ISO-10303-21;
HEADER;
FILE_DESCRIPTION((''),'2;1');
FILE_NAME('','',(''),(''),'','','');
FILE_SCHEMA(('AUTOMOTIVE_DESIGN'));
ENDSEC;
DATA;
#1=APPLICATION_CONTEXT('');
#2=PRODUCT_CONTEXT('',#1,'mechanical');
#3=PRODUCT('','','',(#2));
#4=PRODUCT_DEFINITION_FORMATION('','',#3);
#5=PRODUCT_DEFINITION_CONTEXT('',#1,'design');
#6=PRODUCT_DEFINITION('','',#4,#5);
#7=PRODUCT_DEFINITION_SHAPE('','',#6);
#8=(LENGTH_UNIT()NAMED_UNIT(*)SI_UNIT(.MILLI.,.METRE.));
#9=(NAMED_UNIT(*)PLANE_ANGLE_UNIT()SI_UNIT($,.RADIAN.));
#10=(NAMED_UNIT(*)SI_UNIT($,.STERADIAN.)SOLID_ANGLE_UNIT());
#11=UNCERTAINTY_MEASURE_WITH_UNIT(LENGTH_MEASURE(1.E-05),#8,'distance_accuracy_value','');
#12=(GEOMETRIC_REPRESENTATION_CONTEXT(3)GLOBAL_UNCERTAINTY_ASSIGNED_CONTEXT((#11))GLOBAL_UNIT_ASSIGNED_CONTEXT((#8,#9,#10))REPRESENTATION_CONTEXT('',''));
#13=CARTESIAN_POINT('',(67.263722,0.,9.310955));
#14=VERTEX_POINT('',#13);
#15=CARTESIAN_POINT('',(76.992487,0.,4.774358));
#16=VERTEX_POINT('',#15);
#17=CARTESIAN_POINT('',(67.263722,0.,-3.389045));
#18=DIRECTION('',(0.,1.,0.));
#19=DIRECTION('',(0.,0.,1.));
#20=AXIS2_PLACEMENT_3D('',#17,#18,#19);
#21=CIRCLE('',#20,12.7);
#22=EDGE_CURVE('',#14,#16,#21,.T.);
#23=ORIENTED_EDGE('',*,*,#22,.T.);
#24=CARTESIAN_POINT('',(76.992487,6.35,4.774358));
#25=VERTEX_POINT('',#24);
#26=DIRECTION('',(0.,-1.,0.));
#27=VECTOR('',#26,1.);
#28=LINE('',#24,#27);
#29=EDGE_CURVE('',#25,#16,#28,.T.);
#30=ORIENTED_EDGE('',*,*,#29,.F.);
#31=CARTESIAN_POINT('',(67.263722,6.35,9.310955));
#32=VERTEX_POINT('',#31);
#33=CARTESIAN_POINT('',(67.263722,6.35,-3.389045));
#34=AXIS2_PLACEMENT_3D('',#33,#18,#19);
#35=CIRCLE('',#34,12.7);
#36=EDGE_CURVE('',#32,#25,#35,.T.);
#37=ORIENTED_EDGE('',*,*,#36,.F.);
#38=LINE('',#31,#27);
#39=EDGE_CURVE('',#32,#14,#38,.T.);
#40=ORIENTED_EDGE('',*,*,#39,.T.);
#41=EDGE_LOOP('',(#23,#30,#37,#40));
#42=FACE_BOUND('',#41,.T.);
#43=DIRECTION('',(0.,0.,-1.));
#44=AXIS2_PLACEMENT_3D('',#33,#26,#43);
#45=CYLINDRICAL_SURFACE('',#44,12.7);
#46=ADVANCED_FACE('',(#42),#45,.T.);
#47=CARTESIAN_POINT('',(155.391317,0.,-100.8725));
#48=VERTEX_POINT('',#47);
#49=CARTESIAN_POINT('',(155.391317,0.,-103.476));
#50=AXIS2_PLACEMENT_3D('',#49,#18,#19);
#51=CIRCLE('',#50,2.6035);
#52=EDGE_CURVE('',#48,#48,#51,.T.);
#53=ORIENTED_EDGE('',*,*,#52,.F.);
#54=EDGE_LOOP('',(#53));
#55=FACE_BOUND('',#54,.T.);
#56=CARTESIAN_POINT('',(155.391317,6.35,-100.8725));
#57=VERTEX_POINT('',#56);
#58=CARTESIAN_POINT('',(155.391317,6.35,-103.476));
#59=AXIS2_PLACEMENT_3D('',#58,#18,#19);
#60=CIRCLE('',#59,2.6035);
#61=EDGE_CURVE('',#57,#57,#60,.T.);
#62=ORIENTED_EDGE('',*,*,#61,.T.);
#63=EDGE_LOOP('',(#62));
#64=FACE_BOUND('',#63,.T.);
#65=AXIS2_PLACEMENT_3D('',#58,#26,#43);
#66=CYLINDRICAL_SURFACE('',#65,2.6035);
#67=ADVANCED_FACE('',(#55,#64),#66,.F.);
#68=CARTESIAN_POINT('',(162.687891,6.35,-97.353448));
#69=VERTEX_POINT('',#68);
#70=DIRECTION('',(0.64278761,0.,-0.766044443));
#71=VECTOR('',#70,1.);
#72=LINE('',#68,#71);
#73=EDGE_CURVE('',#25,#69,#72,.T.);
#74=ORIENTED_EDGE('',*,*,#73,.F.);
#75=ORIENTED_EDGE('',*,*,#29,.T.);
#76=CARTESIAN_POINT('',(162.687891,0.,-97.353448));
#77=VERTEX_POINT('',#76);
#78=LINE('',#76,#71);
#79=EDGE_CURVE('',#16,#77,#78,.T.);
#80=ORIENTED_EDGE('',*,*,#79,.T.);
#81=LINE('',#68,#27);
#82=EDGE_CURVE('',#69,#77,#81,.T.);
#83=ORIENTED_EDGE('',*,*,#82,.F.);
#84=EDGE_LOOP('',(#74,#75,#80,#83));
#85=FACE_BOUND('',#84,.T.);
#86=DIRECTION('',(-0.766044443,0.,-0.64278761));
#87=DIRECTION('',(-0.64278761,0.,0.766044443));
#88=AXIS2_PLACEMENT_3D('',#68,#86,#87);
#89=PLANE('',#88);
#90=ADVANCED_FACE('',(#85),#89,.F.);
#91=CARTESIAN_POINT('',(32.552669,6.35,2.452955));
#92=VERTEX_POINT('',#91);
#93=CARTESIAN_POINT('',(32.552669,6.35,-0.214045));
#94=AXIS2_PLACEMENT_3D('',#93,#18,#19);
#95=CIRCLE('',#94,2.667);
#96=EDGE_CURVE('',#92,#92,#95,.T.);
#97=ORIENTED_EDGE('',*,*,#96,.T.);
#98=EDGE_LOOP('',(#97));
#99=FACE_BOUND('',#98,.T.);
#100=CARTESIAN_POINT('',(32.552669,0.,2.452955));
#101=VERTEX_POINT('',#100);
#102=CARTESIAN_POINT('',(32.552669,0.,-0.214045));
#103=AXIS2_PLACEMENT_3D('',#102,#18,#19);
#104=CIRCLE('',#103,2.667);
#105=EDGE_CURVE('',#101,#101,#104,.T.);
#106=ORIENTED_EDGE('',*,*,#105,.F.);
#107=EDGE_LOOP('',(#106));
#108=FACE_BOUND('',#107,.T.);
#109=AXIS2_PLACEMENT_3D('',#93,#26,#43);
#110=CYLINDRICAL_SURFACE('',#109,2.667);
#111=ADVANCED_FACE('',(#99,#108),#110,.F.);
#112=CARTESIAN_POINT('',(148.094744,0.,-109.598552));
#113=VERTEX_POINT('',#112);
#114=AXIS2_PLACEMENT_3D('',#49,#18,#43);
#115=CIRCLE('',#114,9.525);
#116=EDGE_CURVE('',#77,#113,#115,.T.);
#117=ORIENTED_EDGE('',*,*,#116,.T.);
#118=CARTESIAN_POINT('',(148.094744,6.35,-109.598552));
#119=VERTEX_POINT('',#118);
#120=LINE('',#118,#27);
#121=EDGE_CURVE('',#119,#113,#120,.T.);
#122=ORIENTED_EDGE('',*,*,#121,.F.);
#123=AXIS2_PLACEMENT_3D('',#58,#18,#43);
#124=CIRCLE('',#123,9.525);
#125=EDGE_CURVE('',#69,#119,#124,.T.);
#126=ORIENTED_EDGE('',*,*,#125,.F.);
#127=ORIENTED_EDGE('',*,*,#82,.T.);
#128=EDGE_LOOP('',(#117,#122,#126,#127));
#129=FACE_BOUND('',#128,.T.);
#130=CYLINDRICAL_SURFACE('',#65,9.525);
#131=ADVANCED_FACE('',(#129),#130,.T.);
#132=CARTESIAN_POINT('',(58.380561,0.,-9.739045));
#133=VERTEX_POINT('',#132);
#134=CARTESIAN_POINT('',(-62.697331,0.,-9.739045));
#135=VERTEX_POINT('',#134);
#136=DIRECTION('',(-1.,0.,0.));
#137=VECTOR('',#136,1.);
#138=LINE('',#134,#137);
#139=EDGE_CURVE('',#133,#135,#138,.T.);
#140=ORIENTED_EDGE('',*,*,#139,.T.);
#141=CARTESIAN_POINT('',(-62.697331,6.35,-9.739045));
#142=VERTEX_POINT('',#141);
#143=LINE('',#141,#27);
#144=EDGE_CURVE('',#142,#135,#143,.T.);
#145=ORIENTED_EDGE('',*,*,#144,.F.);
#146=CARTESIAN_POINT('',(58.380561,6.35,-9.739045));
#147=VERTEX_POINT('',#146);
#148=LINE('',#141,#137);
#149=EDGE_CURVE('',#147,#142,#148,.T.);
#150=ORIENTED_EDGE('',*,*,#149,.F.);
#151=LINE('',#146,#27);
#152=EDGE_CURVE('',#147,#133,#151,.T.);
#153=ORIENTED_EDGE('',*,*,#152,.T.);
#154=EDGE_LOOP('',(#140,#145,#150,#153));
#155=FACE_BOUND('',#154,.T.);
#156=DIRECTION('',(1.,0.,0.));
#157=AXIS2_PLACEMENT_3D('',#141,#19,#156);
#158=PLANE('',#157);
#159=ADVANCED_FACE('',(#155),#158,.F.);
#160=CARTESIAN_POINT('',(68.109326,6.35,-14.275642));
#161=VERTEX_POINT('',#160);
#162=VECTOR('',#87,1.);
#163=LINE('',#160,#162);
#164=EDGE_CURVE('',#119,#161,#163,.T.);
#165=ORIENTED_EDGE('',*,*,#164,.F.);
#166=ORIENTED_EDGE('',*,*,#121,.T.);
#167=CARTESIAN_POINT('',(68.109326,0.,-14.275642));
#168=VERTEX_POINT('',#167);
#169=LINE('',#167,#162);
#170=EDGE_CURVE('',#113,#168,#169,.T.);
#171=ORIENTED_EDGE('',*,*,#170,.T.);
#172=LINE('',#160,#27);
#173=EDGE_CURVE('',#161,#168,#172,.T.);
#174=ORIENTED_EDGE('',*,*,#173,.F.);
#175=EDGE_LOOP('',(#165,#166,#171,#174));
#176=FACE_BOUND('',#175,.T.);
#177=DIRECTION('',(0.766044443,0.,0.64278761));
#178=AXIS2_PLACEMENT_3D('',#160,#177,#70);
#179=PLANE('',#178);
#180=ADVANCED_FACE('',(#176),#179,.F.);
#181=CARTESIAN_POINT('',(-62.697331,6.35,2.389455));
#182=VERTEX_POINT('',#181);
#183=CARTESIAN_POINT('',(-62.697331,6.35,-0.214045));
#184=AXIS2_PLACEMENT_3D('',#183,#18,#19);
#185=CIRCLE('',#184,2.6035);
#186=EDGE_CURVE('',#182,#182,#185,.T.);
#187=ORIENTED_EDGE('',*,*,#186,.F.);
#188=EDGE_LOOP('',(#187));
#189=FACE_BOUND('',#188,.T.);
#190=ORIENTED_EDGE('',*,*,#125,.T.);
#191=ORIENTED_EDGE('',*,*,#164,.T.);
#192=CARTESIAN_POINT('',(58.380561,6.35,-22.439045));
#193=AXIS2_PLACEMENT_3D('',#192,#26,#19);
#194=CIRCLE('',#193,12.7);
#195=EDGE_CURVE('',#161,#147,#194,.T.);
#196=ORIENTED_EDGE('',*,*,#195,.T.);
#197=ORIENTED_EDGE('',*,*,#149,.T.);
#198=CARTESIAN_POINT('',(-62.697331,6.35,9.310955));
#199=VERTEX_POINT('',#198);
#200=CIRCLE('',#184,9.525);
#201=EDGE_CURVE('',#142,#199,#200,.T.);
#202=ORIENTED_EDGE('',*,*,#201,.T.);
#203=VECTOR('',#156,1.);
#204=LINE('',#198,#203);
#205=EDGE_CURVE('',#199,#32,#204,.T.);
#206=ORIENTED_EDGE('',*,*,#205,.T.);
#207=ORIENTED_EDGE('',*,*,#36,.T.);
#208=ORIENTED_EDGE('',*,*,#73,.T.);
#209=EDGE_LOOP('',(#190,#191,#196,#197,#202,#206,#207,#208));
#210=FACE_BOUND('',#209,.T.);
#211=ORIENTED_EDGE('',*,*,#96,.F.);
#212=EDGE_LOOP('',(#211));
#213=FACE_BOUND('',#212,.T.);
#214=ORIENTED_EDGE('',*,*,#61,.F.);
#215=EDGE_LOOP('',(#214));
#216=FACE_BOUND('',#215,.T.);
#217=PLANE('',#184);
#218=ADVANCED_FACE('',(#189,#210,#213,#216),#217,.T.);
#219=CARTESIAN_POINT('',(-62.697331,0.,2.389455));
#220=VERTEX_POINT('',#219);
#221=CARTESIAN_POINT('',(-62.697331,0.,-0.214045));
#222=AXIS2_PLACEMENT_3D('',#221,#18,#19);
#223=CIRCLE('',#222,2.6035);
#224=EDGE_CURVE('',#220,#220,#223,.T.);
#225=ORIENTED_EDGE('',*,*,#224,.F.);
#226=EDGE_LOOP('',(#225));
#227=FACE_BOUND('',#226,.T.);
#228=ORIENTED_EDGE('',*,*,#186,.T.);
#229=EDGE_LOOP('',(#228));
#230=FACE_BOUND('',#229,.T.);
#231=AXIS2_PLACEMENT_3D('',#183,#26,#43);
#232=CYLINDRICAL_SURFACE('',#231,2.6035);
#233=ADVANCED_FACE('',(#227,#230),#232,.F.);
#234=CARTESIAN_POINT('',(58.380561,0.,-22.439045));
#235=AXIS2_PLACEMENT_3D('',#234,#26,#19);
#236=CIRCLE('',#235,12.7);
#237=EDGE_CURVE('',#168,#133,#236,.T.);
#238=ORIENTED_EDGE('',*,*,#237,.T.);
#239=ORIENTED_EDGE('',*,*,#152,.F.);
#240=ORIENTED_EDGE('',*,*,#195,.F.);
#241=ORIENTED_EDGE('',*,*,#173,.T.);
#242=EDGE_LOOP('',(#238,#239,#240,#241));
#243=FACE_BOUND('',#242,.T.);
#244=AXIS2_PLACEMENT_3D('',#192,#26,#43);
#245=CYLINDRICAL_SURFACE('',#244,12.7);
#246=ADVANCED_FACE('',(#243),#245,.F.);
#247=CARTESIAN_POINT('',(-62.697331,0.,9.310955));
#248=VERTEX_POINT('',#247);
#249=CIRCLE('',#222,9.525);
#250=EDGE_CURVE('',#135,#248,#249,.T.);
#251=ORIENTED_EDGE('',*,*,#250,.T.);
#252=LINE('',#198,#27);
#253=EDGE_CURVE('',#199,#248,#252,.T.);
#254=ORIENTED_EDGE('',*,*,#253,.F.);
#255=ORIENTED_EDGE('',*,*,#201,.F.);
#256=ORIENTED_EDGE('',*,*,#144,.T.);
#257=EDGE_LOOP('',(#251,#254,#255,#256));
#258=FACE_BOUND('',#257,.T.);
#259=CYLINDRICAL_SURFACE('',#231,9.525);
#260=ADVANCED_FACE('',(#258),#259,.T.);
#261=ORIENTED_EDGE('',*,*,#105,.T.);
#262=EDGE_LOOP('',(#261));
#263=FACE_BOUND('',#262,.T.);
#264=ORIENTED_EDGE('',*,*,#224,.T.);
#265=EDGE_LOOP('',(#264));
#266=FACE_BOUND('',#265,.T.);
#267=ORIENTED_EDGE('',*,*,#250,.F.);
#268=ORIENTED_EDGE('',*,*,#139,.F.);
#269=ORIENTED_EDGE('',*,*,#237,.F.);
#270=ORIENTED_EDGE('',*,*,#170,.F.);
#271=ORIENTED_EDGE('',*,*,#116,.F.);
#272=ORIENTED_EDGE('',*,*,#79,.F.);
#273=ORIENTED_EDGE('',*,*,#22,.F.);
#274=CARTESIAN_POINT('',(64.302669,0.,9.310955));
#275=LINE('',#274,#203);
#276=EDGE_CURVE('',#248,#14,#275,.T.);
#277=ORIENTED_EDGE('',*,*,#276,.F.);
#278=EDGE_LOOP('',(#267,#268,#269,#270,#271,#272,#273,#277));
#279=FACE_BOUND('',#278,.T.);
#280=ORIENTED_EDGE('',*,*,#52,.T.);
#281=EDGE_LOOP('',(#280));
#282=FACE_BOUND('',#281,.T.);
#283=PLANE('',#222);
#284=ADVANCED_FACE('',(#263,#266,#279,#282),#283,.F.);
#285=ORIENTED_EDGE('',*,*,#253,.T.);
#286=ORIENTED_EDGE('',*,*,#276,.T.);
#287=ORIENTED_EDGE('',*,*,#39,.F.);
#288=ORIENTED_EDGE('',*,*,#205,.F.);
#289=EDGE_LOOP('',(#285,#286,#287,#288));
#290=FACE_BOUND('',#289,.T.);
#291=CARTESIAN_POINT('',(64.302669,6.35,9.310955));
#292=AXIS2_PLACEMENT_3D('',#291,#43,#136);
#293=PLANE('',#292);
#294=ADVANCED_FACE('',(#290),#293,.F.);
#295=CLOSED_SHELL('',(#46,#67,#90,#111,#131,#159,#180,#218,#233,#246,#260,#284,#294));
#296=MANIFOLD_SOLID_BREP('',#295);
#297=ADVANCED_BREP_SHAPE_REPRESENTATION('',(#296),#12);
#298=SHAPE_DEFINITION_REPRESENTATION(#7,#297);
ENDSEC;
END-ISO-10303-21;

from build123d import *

# Parameters (mm, degrees)
SKETCH2_R           = 2.6035
SKETCH2_R_2         = 2.667
BOSS_EXTRUDE1_DEPTH = 6.35


with BuildPart() as part:
    # Sketch2 → Boss-Extrude1 (new body)
    with BuildSketch(Plane(origin=(0, 0, 0), x_dir=(1, 0, 0), z_dir=(0, 1, 0))):
        with BuildLine():
            Line((68.109325708, 14.275642301), (148.094743892, 109.598551777))
            ThreePointArc((148.094743892, 109.598551777), (161.513869195, 110.772573115), (162.687890534, 97.353447812))
            Line((162.687890534, 97.353447812), (76.992486596, -4.774357699))
            ThreePointArc((76.992486596, -4.774357699), (72.630974093, -8.121063952), (67.263722169, -9.310955056))
            Line((67.263722169, -9.310955056), (64.302668539, -9.310955056))
            Line((64.302668539, -9.310955056), (-62.697331461, -9.310955056))
            ThreePointArc((-62.697331461, -9.310955056), (-72.222331461, 0.214044944), (-62.697331461, 9.739044944))
            Line((-62.697331461, 9.739044944), (58.380561281, 9.739044944))
            ThreePointArc((58.380561281, 9.739044944), (63.747813205, 10.928936048), (68.109325708, 14.275642301))
        make_face()
        with Locations(Location((-62.697331461, 0.214044944, 0), (0, 0, 270))):
            Circle(SKETCH2_R, mode=Mode.SUBTRACT)
        with Locations(Location((155.391317213, 103.475999795, 0), (0, 0, 270))):
            Circle(SKETCH2_R, mode=Mode.SUBTRACT)
        with Locations(Location((32.552668539, 0.214044944, 0), (0, 0, 270))):
            Circle(SKETCH2_R_2, mode=Mode.SUBTRACT)
    extrude(amount=BOSS_EXTRUDE1_DEPTH)


solid = part.part
